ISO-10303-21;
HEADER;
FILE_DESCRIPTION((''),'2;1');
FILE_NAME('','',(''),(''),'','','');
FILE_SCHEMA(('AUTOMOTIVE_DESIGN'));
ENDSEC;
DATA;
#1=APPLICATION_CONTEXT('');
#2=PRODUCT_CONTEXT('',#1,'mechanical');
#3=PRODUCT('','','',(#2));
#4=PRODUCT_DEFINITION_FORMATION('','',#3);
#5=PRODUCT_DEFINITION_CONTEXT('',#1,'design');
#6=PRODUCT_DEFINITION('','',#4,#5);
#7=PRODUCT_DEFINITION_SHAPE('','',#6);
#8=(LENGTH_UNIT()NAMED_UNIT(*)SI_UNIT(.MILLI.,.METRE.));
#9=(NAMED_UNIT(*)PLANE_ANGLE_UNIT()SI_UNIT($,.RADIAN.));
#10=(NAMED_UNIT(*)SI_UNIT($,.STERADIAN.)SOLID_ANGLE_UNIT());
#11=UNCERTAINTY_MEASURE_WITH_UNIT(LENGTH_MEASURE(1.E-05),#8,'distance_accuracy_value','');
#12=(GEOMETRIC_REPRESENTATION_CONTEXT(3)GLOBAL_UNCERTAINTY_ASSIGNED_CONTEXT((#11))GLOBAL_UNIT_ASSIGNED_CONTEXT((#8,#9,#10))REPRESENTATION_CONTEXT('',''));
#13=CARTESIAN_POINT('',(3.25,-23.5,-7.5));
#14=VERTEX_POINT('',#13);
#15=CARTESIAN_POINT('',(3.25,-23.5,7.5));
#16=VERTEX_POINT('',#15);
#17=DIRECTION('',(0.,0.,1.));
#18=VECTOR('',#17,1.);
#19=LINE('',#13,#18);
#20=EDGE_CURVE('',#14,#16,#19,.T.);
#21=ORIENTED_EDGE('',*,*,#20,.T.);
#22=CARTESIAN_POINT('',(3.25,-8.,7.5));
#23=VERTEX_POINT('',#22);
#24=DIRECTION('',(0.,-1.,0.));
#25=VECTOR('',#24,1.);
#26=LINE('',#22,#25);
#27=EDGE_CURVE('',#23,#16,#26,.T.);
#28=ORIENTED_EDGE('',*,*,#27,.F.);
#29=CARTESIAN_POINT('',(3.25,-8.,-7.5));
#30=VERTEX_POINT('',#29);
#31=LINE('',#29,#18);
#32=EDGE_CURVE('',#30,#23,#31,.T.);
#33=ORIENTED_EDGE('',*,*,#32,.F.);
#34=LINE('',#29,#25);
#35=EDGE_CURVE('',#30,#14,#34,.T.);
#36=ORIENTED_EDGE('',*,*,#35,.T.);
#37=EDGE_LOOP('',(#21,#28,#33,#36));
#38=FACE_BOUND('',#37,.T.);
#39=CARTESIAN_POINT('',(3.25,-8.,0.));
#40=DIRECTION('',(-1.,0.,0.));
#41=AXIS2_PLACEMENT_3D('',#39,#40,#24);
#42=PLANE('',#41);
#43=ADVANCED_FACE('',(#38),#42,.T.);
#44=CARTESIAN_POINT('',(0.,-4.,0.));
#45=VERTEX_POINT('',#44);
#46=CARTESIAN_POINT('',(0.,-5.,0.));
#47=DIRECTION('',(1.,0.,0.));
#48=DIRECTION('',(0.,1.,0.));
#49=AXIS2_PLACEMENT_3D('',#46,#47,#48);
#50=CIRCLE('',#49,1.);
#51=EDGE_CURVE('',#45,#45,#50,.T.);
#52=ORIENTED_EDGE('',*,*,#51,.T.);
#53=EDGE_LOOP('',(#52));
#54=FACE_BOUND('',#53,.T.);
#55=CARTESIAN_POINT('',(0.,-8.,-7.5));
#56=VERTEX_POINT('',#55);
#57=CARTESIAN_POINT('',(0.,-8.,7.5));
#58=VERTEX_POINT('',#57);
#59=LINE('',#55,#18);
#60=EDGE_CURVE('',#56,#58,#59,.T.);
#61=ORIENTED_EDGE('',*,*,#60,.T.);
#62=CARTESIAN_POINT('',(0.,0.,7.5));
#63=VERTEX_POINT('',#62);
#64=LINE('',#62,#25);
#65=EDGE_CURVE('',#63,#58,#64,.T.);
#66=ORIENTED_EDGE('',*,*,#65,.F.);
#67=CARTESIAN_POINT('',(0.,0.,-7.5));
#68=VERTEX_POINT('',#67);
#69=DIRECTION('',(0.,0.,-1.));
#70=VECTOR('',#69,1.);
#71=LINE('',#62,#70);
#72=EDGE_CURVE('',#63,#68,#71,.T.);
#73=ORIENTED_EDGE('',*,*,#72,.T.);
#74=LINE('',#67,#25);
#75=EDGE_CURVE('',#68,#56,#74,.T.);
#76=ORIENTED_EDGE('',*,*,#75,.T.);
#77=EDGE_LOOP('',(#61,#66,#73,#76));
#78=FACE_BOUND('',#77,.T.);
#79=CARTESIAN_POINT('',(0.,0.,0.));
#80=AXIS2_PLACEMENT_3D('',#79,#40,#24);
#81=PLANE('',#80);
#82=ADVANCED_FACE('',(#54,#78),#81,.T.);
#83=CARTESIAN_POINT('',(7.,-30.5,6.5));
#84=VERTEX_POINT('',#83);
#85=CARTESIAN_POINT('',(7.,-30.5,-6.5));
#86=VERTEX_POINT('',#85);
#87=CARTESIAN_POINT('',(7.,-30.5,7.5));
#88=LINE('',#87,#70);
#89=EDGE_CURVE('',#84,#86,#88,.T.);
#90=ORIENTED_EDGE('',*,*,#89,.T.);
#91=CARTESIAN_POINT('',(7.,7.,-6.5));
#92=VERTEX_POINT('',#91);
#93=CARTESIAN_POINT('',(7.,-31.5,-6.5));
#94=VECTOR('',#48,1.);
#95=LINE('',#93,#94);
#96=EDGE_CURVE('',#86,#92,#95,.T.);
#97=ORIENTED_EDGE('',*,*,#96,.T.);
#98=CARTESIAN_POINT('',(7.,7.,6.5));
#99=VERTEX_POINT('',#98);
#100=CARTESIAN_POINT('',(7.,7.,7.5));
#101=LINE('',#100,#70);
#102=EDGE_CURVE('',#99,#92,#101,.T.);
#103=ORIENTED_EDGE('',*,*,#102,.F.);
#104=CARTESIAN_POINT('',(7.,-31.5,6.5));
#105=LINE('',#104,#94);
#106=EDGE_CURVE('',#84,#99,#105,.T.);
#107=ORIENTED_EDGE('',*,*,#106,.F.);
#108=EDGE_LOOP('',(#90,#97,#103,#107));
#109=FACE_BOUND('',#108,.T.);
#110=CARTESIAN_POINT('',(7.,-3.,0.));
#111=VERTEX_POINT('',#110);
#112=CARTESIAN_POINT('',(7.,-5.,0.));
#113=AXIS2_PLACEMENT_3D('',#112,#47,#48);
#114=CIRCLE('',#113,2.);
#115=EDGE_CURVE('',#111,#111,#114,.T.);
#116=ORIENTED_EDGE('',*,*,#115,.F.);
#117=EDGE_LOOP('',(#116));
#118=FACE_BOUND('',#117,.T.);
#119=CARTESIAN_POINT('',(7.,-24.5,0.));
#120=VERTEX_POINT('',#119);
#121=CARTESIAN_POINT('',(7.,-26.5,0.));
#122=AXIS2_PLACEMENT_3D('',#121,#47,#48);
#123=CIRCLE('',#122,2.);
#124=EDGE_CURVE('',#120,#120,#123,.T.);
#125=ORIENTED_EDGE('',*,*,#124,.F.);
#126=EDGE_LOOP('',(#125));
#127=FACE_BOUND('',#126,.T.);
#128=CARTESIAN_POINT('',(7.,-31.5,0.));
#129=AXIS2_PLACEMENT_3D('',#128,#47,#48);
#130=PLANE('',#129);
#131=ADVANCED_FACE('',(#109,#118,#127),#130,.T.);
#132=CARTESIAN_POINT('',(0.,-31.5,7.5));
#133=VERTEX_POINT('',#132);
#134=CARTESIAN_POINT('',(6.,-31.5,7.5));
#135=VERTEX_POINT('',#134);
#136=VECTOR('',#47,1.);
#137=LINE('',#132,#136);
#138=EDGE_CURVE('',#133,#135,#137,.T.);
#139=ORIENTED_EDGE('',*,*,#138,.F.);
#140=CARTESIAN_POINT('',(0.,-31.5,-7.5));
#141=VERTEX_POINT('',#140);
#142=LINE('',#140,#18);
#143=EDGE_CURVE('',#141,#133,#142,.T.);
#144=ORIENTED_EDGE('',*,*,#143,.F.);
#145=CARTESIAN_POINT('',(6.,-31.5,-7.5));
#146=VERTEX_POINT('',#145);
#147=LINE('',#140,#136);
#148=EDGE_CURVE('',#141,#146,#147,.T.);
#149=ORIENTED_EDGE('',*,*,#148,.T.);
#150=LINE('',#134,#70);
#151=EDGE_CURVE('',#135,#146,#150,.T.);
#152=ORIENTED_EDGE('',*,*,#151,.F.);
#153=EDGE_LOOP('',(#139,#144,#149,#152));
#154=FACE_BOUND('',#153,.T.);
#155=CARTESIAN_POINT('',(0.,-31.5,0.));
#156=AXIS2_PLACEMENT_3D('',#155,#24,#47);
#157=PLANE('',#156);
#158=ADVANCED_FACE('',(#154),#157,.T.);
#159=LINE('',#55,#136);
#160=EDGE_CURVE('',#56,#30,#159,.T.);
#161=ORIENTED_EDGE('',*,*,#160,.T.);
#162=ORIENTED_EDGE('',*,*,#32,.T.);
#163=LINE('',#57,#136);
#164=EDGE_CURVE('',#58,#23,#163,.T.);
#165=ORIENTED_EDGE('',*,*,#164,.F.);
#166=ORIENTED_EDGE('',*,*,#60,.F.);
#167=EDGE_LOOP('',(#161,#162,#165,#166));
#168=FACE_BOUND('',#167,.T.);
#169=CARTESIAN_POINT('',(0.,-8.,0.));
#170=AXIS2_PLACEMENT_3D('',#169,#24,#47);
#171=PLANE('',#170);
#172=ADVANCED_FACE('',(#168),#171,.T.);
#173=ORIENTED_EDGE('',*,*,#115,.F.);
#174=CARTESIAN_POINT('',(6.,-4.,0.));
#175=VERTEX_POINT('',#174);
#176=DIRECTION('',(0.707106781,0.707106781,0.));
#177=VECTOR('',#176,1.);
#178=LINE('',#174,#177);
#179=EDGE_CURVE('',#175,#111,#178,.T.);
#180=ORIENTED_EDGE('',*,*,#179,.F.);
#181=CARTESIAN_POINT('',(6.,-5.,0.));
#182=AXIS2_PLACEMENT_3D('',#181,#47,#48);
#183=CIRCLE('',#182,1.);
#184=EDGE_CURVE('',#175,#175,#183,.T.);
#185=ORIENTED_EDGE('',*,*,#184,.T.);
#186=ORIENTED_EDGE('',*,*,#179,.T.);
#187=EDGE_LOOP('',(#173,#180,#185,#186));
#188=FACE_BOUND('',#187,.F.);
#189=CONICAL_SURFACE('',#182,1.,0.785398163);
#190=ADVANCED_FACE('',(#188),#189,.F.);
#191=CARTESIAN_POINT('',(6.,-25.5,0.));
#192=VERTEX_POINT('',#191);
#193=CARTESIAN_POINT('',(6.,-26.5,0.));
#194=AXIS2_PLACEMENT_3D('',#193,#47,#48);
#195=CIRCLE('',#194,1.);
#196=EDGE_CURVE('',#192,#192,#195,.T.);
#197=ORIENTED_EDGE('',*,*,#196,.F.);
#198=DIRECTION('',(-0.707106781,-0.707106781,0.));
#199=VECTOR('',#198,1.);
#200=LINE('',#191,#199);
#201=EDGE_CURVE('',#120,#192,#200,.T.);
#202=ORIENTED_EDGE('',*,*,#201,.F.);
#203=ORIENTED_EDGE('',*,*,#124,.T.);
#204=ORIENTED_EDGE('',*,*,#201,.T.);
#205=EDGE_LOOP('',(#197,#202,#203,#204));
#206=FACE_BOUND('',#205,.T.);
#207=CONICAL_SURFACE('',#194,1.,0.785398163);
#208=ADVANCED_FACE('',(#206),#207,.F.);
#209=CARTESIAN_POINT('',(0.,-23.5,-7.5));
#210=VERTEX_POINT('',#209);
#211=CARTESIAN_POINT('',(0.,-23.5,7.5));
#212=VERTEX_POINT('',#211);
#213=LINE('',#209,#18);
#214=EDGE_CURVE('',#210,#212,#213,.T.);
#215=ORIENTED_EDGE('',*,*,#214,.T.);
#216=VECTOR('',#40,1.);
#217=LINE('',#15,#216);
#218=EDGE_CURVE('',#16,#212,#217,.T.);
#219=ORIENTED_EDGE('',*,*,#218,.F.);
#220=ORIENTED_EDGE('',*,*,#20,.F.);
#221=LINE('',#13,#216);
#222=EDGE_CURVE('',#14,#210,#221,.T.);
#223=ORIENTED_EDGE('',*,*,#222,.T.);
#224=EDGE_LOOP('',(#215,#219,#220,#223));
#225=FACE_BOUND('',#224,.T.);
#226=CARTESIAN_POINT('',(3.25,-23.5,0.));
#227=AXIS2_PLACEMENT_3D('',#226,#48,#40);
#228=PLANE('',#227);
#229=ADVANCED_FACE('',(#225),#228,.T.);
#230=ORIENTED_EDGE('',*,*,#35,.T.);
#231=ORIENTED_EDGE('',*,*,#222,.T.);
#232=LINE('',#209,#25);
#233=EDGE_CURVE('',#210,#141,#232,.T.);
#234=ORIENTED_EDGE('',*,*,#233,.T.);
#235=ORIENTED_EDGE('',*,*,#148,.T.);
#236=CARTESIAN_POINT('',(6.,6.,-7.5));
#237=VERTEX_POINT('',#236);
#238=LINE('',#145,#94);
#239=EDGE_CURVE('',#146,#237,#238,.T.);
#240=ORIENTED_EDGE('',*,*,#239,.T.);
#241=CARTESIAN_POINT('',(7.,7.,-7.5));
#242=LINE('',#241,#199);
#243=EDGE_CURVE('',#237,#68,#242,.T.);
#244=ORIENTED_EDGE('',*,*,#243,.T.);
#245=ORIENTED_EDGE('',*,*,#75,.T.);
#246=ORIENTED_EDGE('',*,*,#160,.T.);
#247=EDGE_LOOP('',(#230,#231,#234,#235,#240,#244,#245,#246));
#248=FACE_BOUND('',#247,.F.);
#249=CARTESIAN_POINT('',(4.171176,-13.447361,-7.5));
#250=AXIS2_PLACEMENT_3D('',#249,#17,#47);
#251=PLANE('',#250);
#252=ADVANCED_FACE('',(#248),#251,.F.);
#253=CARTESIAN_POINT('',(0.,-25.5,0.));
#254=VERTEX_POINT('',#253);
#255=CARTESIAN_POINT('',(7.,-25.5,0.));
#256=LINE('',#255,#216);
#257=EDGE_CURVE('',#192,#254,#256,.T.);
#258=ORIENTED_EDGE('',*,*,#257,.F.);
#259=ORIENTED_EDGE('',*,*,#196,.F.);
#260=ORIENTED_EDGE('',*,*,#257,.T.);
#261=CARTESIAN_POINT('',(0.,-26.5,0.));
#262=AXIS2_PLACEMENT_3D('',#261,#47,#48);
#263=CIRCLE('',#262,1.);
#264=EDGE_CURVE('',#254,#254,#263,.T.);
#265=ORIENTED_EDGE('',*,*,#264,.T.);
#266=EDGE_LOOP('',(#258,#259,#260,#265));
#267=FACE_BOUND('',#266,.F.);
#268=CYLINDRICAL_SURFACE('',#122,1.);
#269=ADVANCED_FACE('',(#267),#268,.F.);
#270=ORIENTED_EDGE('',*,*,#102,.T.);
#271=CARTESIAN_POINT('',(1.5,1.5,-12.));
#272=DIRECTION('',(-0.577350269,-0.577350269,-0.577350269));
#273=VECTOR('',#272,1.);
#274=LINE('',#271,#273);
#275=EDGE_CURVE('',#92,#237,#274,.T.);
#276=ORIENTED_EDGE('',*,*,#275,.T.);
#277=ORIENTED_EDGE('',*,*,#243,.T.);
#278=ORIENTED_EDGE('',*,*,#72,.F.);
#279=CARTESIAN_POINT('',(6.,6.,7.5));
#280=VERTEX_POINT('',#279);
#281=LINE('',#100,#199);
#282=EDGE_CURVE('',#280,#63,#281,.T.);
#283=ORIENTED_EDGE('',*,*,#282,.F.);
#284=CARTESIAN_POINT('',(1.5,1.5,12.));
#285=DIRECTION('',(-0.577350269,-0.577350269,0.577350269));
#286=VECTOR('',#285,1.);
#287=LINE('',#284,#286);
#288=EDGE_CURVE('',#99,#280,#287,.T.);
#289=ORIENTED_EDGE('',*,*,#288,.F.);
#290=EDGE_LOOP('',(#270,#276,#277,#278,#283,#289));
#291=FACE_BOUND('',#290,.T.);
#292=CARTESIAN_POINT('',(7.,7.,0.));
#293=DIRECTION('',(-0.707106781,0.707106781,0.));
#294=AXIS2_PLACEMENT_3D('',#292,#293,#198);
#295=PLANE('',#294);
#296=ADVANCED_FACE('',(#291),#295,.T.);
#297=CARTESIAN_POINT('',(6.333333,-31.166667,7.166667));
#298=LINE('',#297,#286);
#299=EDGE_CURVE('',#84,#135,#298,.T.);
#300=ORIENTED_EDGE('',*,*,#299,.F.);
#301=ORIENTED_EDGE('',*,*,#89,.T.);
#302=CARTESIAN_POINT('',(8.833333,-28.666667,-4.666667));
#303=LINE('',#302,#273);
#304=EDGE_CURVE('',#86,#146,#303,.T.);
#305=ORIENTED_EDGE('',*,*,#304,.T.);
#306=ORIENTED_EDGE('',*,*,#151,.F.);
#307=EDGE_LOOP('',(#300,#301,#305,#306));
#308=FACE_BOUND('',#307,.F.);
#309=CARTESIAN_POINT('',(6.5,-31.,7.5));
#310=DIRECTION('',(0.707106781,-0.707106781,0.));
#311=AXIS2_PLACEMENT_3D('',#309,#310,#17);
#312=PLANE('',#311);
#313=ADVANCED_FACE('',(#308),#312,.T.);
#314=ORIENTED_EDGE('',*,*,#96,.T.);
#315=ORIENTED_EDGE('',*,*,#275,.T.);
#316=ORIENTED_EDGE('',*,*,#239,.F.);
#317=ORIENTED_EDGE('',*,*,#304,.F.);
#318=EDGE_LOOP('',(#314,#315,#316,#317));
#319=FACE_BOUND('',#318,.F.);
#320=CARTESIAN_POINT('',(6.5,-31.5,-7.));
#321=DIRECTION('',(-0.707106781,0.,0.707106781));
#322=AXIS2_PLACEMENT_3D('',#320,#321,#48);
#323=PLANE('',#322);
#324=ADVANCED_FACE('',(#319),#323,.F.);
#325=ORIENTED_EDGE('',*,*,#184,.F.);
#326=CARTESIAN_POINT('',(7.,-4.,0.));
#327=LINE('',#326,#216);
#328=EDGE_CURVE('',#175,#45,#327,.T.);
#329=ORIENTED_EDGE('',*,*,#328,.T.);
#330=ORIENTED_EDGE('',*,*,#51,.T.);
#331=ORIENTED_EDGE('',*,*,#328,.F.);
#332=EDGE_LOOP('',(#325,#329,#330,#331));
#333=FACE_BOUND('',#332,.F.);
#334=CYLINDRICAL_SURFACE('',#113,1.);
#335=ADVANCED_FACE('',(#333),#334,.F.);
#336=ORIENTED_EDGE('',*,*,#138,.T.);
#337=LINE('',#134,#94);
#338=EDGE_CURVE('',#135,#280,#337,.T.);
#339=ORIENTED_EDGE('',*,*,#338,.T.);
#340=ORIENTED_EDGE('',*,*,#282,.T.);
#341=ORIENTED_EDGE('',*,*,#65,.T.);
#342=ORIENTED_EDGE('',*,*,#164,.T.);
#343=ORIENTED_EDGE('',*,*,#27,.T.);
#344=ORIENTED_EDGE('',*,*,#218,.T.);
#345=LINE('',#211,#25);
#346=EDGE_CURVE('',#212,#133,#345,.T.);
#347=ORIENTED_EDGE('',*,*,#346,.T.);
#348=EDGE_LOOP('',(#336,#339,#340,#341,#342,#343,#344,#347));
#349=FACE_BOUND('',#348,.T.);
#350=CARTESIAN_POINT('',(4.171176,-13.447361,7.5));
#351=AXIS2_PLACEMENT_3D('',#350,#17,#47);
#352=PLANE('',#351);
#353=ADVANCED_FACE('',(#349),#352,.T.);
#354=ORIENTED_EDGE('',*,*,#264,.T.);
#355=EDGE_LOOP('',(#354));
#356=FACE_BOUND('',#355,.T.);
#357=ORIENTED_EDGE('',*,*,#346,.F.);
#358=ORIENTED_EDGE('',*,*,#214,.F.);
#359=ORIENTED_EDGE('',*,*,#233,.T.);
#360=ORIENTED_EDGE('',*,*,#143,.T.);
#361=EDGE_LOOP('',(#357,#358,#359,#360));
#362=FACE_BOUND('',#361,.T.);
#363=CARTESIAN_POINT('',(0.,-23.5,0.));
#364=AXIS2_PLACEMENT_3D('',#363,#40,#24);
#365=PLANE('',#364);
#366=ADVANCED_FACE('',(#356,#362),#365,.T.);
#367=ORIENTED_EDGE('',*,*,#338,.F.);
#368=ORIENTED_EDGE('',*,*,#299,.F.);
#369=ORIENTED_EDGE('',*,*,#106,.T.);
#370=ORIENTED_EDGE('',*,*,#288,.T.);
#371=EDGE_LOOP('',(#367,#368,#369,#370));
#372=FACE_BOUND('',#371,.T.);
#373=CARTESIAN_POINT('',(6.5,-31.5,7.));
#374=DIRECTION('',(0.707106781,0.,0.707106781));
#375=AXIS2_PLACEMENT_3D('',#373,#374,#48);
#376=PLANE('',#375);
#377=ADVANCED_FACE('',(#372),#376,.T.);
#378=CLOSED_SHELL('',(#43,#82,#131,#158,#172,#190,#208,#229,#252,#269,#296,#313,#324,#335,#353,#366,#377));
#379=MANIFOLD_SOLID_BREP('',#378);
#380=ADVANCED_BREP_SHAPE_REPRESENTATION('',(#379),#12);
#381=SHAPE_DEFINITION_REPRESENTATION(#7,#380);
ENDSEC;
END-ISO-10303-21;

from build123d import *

# Parameters (mm, degrees)
PAD003_DEPTH    = 7.5
SKETCH005_R     = 1
POCKET001_DEPTH = 7.001
CHAMFER003_SIZE = 1
CHAMFER007_SIZE = 1


with BuildPart() as part:
    # Sketch004 → Pad003 (new body, symmetric)
    with BuildSketch(Plane.XY):
        Polygon((0, 0), (0, -8), (3.25, -8), (3.25, -23.5), (0, -23.5), (0, -31.5), (7, -31.5), (7, 7), align=None)
    extrude(amount=PAD003_DEPTH, both=True)

    # Sketch005 (on Face7 of Pad003) → Pocket001 (cut, through all)
    with BuildSketch(Plane.YZ.offset(7)):
        with Locations((-26.5, 0)):
            Circle(SKETCH005_R)
        with Locations((-5, 0)):
            Circle(SKETCH005_R)
    extrude(amount=-POCKET001_DEPTH, mode=Mode.SUBTRACT)

    # Chamfer003
    chamfer003_edges = [part.edges().sort_by_distance(p)[0] for p in [
        (7, -27.5, 0),
        (7, -6, 0),
    ]]
    chamfer(chamfer003_edges, length=CHAMFER003_SIZE)

    # Chamfer007
    chamfer007_edges = [part.edges().sort_by_distance(p)[0] for p in [
        (7, -12.25, -7.5),
        (7, -31.5, 0),
        (7, -12.25, 7.5),
    ]]
    chamfer(chamfer007_edges, length=CHAMFER007_SIZE)


solid = part.part
